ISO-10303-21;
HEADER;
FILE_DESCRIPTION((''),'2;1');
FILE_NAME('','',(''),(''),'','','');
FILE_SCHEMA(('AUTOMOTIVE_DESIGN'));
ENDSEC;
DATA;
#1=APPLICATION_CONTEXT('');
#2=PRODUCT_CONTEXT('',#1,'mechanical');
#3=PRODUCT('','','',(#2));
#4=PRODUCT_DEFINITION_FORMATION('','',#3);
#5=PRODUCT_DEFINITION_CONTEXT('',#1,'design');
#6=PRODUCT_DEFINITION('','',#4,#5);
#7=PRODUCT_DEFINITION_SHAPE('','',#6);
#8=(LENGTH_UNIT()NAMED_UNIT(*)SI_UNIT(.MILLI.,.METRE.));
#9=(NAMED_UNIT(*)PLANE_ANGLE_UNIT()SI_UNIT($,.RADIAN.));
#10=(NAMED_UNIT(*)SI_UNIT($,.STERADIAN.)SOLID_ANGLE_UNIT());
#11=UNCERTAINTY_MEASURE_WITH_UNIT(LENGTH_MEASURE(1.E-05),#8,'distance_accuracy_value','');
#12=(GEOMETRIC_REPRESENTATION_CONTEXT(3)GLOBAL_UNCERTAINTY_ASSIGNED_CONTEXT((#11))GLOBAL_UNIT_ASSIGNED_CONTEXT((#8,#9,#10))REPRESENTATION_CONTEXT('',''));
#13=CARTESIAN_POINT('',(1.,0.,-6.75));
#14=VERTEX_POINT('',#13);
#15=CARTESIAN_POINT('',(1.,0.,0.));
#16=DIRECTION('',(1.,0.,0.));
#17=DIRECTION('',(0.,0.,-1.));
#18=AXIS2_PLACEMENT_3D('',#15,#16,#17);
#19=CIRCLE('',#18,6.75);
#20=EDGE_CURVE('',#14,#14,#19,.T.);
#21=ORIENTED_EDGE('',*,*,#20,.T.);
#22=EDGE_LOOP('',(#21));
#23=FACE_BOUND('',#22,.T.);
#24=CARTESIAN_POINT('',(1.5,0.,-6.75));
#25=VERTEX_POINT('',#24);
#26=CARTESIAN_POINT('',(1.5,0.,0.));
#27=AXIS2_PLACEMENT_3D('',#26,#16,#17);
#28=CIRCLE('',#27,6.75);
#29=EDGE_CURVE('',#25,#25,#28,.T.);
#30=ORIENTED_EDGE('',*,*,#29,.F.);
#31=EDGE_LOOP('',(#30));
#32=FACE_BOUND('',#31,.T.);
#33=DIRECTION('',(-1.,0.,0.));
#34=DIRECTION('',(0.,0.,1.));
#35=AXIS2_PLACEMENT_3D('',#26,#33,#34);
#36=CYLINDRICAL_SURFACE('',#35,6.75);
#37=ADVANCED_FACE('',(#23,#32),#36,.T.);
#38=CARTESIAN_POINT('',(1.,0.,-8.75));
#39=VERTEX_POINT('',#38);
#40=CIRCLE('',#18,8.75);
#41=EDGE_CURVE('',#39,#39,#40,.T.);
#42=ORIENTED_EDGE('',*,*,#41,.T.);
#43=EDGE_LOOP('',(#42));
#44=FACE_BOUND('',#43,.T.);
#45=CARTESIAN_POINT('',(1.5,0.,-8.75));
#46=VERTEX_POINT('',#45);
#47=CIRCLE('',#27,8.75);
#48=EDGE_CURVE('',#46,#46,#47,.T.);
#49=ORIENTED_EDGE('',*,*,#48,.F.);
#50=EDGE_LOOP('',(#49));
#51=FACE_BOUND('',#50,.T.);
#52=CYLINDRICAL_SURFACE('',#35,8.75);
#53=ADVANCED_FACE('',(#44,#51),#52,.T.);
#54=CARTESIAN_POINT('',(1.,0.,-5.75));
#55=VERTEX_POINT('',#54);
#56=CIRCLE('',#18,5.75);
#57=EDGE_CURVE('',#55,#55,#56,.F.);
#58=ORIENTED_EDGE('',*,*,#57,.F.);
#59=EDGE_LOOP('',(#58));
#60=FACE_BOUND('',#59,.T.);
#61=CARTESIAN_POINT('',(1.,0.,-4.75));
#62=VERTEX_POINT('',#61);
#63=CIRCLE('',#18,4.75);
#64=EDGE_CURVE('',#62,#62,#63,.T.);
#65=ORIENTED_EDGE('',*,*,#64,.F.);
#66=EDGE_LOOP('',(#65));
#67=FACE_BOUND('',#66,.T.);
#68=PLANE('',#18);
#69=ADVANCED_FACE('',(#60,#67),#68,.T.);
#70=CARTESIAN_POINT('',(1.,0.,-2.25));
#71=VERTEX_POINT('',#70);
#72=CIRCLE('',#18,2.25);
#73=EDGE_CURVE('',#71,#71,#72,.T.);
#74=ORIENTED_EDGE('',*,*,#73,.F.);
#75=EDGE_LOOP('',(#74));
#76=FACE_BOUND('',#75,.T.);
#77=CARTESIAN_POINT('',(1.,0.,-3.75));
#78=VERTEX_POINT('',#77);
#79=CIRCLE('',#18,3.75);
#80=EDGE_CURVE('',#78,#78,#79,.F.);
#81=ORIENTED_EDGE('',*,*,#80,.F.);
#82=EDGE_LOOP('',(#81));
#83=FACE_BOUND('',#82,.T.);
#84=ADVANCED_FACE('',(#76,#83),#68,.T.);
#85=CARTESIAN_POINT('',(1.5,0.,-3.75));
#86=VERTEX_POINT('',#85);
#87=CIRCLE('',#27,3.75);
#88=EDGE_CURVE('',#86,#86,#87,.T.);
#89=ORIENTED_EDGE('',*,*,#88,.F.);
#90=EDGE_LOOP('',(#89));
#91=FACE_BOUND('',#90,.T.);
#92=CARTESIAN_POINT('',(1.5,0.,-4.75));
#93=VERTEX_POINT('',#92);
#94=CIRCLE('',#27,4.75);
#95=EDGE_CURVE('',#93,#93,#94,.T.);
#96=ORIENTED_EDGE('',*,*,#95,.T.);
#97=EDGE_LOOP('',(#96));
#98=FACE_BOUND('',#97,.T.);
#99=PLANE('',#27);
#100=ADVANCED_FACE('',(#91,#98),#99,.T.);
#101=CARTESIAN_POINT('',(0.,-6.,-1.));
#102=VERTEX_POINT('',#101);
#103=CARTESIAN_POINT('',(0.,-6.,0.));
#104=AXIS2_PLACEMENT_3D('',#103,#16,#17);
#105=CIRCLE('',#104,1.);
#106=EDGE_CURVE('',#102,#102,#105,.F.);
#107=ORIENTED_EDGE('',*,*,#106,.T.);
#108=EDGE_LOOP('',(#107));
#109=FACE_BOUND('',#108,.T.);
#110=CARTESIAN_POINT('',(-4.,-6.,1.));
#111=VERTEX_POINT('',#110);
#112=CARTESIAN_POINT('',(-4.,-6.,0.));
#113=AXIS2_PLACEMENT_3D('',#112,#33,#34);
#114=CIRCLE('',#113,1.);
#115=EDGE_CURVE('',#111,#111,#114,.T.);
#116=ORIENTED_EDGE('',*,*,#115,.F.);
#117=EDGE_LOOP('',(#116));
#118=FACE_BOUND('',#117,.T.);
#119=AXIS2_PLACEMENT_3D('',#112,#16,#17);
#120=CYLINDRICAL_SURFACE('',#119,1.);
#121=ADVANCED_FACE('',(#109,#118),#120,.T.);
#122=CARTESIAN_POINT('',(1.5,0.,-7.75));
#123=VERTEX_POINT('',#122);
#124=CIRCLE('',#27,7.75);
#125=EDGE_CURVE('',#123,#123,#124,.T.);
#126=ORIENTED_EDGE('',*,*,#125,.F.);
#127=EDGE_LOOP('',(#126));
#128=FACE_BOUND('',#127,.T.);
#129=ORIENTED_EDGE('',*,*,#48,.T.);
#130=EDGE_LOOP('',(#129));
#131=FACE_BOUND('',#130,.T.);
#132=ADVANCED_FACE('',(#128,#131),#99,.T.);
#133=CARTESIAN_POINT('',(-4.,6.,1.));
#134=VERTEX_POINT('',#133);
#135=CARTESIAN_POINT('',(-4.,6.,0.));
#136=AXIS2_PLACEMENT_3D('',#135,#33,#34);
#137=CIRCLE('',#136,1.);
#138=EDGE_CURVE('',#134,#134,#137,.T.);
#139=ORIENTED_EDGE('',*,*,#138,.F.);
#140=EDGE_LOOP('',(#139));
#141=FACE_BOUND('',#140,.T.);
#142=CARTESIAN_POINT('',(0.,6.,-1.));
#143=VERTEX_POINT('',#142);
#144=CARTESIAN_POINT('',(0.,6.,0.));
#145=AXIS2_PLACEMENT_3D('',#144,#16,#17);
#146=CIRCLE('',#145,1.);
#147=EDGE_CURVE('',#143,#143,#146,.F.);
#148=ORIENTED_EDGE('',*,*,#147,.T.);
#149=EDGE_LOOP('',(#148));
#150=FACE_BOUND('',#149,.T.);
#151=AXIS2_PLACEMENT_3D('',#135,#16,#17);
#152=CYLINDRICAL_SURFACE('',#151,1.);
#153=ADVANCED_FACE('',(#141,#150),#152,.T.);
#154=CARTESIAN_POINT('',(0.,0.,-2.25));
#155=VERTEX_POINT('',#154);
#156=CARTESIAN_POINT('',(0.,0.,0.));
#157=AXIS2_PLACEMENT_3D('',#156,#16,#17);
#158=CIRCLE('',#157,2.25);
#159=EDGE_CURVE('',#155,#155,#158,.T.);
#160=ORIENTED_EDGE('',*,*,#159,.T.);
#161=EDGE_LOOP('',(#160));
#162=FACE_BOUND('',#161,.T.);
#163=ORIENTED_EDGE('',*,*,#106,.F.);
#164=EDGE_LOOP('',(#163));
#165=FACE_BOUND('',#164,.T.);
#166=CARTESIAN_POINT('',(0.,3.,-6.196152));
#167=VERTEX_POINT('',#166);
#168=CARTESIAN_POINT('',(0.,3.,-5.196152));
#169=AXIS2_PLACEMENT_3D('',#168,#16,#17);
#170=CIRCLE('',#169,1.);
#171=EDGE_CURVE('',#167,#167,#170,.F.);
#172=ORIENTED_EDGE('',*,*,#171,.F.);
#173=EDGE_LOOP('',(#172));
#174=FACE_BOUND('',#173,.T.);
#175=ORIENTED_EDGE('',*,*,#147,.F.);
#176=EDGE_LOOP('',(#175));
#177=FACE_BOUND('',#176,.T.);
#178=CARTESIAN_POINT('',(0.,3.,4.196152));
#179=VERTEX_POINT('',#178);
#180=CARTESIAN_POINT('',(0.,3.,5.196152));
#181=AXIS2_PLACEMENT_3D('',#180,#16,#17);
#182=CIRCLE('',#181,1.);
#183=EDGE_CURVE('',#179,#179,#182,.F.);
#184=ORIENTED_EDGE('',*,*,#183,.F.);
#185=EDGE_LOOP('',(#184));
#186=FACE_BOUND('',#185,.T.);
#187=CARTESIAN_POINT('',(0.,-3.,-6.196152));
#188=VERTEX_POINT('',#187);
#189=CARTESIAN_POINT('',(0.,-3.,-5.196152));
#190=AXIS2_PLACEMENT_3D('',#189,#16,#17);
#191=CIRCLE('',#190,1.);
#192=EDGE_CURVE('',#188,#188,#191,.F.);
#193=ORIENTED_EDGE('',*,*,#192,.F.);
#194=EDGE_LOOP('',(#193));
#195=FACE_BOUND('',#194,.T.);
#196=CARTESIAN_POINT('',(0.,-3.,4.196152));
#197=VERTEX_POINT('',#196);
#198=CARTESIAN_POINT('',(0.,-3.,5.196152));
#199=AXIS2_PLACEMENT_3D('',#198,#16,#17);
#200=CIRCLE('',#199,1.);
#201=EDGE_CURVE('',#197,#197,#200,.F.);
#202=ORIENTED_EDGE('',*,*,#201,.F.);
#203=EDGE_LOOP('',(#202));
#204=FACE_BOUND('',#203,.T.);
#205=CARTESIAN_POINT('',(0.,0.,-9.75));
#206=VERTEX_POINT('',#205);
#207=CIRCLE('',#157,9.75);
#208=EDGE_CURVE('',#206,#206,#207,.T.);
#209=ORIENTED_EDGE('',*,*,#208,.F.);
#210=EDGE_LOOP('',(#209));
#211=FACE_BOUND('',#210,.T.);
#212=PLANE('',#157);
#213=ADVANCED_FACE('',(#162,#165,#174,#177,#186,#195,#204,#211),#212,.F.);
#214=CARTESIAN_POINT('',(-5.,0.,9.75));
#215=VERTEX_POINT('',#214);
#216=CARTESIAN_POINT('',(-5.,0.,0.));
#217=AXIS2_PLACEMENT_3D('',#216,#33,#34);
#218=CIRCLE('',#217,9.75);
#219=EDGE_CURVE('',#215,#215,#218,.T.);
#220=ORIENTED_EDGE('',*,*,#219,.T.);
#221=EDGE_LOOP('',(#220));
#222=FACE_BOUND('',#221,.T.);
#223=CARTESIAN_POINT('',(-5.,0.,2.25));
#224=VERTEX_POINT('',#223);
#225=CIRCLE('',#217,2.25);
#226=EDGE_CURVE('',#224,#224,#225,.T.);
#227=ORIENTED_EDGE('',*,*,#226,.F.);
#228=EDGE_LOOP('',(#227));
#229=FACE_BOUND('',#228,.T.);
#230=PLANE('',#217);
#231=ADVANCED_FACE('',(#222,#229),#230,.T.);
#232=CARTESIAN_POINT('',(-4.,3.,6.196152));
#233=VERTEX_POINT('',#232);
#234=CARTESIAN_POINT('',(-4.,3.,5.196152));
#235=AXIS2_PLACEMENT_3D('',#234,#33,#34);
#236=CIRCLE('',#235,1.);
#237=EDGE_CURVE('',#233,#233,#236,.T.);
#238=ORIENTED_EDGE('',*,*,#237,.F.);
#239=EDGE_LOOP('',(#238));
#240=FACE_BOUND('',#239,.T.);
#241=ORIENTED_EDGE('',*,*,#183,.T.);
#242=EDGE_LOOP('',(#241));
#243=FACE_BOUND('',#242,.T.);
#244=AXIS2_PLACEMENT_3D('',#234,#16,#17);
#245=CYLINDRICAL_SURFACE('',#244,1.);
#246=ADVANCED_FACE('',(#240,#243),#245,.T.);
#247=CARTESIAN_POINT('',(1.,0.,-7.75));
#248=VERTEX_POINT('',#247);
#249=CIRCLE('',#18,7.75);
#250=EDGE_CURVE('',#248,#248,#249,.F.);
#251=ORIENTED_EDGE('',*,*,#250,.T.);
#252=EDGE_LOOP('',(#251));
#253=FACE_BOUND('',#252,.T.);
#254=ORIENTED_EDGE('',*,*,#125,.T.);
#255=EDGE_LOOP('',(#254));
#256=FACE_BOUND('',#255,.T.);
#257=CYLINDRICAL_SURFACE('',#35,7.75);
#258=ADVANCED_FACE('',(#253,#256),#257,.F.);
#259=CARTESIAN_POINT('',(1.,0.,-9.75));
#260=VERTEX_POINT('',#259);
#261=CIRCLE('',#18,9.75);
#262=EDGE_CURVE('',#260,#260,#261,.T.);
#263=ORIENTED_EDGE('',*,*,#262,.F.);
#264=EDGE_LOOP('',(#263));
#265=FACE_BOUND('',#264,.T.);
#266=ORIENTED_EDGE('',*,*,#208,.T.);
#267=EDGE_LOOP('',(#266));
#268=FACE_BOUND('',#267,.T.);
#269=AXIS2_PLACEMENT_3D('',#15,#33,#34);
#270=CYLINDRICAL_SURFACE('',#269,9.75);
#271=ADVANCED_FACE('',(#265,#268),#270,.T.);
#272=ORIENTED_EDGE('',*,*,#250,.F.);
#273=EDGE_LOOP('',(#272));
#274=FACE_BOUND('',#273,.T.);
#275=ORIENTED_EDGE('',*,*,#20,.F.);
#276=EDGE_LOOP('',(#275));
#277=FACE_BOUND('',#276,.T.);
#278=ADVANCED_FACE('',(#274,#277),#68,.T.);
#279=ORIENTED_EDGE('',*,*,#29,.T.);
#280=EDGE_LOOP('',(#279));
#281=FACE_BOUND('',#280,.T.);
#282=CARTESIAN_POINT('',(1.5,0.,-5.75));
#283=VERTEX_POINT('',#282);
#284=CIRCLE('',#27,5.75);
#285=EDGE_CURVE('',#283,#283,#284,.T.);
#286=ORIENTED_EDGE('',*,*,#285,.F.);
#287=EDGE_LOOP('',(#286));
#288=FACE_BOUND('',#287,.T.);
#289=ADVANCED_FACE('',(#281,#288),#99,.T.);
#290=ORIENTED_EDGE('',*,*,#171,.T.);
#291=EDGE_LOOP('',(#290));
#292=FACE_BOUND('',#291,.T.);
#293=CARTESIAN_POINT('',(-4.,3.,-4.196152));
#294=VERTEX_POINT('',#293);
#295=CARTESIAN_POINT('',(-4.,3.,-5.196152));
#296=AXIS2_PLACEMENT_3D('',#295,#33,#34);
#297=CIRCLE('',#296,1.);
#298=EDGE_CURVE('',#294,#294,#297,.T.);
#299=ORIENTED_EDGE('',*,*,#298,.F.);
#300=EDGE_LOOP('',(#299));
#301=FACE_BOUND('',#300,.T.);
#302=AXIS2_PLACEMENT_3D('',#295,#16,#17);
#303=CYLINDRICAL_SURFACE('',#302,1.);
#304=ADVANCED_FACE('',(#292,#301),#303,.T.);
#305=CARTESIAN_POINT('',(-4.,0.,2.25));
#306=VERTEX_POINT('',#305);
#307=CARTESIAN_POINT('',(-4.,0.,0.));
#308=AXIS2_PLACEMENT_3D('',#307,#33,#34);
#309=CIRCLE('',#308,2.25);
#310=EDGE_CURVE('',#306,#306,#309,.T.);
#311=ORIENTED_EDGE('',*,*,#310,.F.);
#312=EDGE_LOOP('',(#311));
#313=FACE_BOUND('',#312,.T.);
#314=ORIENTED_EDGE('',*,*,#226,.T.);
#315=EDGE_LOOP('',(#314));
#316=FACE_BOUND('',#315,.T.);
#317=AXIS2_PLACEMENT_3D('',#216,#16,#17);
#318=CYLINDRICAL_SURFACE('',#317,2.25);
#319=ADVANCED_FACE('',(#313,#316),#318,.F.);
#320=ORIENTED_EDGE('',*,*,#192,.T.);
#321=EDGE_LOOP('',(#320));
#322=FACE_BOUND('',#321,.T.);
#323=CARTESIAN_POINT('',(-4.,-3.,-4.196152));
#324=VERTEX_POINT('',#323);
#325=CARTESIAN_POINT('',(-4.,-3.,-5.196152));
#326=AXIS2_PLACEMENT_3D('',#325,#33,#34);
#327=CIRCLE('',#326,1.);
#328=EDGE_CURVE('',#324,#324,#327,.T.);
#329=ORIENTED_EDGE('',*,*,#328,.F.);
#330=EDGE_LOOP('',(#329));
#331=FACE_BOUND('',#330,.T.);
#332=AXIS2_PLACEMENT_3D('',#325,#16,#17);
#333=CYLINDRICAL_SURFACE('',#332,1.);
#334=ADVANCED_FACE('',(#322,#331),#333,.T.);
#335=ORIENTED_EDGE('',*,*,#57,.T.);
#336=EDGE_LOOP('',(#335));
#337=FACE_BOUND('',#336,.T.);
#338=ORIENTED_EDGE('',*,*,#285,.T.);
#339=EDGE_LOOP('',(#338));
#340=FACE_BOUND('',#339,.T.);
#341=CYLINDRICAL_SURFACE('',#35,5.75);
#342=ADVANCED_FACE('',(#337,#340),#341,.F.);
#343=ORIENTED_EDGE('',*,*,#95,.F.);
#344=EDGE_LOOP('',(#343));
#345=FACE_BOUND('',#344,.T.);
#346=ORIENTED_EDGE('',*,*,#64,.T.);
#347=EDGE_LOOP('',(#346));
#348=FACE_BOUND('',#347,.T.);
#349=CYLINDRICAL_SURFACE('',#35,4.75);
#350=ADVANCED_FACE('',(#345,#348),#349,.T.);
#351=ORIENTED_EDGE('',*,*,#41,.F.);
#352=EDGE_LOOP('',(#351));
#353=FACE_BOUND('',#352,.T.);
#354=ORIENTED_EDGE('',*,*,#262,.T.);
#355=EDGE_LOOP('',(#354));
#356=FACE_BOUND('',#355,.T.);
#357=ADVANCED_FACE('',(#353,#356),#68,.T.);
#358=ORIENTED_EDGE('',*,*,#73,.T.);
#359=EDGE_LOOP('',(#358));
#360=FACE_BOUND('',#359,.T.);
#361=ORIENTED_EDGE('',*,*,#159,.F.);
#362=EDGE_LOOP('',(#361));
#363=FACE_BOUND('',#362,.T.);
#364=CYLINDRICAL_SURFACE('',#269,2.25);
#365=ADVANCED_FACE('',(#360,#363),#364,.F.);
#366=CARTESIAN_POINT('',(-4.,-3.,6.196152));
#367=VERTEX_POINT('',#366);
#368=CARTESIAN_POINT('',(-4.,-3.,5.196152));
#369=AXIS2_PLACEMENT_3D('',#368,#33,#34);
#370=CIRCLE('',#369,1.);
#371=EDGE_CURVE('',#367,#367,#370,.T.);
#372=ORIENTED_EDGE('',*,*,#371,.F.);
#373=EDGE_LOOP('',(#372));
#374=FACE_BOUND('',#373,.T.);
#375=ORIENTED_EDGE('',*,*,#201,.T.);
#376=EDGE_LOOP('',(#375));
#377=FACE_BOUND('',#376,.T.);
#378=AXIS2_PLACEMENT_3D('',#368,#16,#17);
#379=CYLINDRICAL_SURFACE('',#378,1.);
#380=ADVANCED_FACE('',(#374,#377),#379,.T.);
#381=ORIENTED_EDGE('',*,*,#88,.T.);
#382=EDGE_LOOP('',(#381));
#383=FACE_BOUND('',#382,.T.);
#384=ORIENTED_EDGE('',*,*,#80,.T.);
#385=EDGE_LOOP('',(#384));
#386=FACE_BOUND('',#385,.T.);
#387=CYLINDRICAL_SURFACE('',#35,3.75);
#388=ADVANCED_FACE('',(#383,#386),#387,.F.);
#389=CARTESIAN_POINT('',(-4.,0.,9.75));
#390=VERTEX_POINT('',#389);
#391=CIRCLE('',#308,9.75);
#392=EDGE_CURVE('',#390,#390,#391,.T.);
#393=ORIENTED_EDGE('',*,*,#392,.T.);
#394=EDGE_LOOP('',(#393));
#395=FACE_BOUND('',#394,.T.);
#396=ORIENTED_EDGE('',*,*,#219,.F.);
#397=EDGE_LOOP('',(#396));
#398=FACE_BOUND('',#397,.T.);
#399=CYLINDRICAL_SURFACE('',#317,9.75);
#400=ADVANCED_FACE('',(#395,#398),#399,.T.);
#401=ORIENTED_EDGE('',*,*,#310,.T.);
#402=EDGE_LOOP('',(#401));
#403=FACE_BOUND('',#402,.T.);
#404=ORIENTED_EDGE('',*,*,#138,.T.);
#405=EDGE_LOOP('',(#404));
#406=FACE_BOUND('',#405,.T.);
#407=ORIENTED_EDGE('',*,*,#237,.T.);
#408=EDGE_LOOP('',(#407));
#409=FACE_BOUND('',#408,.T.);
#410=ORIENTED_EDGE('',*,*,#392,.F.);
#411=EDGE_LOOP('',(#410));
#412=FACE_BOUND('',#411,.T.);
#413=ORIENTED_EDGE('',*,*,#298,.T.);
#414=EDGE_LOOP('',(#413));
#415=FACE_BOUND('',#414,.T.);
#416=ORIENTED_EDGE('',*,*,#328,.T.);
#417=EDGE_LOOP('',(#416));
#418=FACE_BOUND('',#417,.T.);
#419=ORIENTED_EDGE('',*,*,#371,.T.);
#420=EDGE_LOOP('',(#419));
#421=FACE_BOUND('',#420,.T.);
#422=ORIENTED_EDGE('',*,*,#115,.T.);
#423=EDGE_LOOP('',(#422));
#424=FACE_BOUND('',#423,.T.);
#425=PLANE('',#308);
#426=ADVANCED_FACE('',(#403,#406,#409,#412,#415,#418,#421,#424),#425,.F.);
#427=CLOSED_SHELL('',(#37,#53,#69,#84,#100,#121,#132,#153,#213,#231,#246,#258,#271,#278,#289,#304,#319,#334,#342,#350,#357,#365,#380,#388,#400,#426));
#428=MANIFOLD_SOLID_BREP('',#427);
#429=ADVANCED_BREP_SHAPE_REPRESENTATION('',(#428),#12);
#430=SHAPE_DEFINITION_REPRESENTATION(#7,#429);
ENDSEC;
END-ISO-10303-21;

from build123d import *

# Parameters (mm, degrees)
SKETCH1_R           = 9.75
SKETCH1_R_2         = 2.25
BOSS_EXTRUDE1_DEPTH = 1
BOSS_EXTRUDE2_DEPTH = 0.5
SKETCH3_R           = 1
BOSS_EXTRUDE3_DEPTH = 4
SKETCH4_R           = 9.75
SKETCH4_R_2         = 2.25
BOSS_EXTRUDE4_DEPTH = 1


with BuildPart() as part:
    # Sketch1 → Boss-Extrude1 (new body)
    with BuildSketch(Plane(origin=(0, 0, 0), x_dir=(0, 0, -1), z_dir=(1, 0, 0))):
        Circle(SKETCH1_R)
        Circle(SKETCH1_R_2, mode=Mode.SUBTRACT)
    extrude(amount=BOSS_EXTRUDE1_DEPTH)

    # Sketch2 → Boss-Extrude2 (add)
    with BuildSketch(Plane(origin=(1, 0, 0), x_dir=(0, 0, -1), z_dir=(1, 0, 0))):
        with BuildLine():
            ThreePointArc((8.696853314, 0.96293428), (-0.96293428, 8.696853314), (-8.696853314, -0.96293428))
            ThreePointArc((-8.696853314, -0.96293428), (0.482199906, -8.736703226), (8.75, 0))
            ThreePointArc((8.75, 0), (8.736703226, 0.482199906), (8.696853314, 0.96293428))
        make_face()
        with BuildLine():
            ThreePointArc((7.75, 0), (0.427091345, -7.738222857), (-7.702927221, -0.852884648))
            ThreePointArc((-7.702927221, -0.852884648), (-0.852884648, 7.702927221), (7.702927221, 0.852884648))
            ThreePointArc((7.702927221, 0.852884648), (7.738222857, 0.427091345), (7.75, 0))
        make_face(mode=Mode.SUBTRACT)
        with BuildLine():
            ThreePointArc((6.709001128, 0.742835016), (-0.742835016, 6.709001128), (-6.709001128, -0.742835016))
            ThreePointArc((-6.709001128, -0.742835016), (0.371982785, -6.739742488), (6.75, 0))
            ThreePointArc((6.75, 0), (6.739742488, 0.371982785), (6.709001128, 0.742835016))
        make_face()
        with BuildLine():
            ThreePointArc((5.75, 0), (0.316874224, -5.74126212), (-5.715075035, -0.632785384))
            ThreePointArc((-5.715075035, -0.632785384), (-0.632785384, 5.715075035), (5.715075035, 0.632785384))
            ThreePointArc((5.715075035, 0.632785384), (5.74126212, 0.316874224), (5.75, 0))
        make_face(mode=Mode.SUBTRACT)
        with BuildLine():
            ThreePointArc((4.721148942, 0.522735752), (-0.522735752, 4.721148942), (-4.721148942, -0.522735752))
            ThreePointArc((-4.721148942, -0.522735752), (0.261765663, -4.742781751), (4.75, 0))
            ThreePointArc((4.75, 0), (4.742781751, 0.261765663), (4.721148942, 0.522735752))
        make_face()
        with BuildLine():
            ThreePointArc((3.75, 0), (0.206657103, -3.744301382), (-3.727222849, -0.41268612))
            ThreePointArc((-3.727222849, -0.41268612), (-0.41268612, 3.727222849), (3.727222849, 0.41268612))
            ThreePointArc((3.727222849, 0.41268612), (3.744301382, 0.206657103), (3.75, 0))
        make_face(mode=Mode.SUBTRACT)
    extrude(amount=BOSS_EXTRUDE2_DEPTH)

    # Sketch3 → Boss-Extrude3 (add)
    with BuildSketch(Plane.ZY):
        with Locations((0, 6)):
            Circle(SKETCH3_R)
        with Locations((5.196152423, 3)):
            Circle(SKETCH3_R)
        with Locations((5.196152423, -3)):
            Circle(SKETCH3_R)
        with Locations((0, -6)):
            Circle(SKETCH3_R)
        with Locations((-5.196152423, -3)):
            Circle(SKETCH3_R)
        with Locations((-5.196152423, 3)):
            Circle(SKETCH3_R)
    extrude(amount=BOSS_EXTRUDE3_DEPTH)

    # Sketch4 → Boss-Extrude4 (add)
    with BuildSketch(Plane.ZY.offset(4)):
        Circle(SKETCH4_R)
        Circle(SKETCH4_R_2, mode=Mode.SUBTRACT)
    extrude(amount=BOSS_EXTRUDE4_DEPTH)


solid = part.part
